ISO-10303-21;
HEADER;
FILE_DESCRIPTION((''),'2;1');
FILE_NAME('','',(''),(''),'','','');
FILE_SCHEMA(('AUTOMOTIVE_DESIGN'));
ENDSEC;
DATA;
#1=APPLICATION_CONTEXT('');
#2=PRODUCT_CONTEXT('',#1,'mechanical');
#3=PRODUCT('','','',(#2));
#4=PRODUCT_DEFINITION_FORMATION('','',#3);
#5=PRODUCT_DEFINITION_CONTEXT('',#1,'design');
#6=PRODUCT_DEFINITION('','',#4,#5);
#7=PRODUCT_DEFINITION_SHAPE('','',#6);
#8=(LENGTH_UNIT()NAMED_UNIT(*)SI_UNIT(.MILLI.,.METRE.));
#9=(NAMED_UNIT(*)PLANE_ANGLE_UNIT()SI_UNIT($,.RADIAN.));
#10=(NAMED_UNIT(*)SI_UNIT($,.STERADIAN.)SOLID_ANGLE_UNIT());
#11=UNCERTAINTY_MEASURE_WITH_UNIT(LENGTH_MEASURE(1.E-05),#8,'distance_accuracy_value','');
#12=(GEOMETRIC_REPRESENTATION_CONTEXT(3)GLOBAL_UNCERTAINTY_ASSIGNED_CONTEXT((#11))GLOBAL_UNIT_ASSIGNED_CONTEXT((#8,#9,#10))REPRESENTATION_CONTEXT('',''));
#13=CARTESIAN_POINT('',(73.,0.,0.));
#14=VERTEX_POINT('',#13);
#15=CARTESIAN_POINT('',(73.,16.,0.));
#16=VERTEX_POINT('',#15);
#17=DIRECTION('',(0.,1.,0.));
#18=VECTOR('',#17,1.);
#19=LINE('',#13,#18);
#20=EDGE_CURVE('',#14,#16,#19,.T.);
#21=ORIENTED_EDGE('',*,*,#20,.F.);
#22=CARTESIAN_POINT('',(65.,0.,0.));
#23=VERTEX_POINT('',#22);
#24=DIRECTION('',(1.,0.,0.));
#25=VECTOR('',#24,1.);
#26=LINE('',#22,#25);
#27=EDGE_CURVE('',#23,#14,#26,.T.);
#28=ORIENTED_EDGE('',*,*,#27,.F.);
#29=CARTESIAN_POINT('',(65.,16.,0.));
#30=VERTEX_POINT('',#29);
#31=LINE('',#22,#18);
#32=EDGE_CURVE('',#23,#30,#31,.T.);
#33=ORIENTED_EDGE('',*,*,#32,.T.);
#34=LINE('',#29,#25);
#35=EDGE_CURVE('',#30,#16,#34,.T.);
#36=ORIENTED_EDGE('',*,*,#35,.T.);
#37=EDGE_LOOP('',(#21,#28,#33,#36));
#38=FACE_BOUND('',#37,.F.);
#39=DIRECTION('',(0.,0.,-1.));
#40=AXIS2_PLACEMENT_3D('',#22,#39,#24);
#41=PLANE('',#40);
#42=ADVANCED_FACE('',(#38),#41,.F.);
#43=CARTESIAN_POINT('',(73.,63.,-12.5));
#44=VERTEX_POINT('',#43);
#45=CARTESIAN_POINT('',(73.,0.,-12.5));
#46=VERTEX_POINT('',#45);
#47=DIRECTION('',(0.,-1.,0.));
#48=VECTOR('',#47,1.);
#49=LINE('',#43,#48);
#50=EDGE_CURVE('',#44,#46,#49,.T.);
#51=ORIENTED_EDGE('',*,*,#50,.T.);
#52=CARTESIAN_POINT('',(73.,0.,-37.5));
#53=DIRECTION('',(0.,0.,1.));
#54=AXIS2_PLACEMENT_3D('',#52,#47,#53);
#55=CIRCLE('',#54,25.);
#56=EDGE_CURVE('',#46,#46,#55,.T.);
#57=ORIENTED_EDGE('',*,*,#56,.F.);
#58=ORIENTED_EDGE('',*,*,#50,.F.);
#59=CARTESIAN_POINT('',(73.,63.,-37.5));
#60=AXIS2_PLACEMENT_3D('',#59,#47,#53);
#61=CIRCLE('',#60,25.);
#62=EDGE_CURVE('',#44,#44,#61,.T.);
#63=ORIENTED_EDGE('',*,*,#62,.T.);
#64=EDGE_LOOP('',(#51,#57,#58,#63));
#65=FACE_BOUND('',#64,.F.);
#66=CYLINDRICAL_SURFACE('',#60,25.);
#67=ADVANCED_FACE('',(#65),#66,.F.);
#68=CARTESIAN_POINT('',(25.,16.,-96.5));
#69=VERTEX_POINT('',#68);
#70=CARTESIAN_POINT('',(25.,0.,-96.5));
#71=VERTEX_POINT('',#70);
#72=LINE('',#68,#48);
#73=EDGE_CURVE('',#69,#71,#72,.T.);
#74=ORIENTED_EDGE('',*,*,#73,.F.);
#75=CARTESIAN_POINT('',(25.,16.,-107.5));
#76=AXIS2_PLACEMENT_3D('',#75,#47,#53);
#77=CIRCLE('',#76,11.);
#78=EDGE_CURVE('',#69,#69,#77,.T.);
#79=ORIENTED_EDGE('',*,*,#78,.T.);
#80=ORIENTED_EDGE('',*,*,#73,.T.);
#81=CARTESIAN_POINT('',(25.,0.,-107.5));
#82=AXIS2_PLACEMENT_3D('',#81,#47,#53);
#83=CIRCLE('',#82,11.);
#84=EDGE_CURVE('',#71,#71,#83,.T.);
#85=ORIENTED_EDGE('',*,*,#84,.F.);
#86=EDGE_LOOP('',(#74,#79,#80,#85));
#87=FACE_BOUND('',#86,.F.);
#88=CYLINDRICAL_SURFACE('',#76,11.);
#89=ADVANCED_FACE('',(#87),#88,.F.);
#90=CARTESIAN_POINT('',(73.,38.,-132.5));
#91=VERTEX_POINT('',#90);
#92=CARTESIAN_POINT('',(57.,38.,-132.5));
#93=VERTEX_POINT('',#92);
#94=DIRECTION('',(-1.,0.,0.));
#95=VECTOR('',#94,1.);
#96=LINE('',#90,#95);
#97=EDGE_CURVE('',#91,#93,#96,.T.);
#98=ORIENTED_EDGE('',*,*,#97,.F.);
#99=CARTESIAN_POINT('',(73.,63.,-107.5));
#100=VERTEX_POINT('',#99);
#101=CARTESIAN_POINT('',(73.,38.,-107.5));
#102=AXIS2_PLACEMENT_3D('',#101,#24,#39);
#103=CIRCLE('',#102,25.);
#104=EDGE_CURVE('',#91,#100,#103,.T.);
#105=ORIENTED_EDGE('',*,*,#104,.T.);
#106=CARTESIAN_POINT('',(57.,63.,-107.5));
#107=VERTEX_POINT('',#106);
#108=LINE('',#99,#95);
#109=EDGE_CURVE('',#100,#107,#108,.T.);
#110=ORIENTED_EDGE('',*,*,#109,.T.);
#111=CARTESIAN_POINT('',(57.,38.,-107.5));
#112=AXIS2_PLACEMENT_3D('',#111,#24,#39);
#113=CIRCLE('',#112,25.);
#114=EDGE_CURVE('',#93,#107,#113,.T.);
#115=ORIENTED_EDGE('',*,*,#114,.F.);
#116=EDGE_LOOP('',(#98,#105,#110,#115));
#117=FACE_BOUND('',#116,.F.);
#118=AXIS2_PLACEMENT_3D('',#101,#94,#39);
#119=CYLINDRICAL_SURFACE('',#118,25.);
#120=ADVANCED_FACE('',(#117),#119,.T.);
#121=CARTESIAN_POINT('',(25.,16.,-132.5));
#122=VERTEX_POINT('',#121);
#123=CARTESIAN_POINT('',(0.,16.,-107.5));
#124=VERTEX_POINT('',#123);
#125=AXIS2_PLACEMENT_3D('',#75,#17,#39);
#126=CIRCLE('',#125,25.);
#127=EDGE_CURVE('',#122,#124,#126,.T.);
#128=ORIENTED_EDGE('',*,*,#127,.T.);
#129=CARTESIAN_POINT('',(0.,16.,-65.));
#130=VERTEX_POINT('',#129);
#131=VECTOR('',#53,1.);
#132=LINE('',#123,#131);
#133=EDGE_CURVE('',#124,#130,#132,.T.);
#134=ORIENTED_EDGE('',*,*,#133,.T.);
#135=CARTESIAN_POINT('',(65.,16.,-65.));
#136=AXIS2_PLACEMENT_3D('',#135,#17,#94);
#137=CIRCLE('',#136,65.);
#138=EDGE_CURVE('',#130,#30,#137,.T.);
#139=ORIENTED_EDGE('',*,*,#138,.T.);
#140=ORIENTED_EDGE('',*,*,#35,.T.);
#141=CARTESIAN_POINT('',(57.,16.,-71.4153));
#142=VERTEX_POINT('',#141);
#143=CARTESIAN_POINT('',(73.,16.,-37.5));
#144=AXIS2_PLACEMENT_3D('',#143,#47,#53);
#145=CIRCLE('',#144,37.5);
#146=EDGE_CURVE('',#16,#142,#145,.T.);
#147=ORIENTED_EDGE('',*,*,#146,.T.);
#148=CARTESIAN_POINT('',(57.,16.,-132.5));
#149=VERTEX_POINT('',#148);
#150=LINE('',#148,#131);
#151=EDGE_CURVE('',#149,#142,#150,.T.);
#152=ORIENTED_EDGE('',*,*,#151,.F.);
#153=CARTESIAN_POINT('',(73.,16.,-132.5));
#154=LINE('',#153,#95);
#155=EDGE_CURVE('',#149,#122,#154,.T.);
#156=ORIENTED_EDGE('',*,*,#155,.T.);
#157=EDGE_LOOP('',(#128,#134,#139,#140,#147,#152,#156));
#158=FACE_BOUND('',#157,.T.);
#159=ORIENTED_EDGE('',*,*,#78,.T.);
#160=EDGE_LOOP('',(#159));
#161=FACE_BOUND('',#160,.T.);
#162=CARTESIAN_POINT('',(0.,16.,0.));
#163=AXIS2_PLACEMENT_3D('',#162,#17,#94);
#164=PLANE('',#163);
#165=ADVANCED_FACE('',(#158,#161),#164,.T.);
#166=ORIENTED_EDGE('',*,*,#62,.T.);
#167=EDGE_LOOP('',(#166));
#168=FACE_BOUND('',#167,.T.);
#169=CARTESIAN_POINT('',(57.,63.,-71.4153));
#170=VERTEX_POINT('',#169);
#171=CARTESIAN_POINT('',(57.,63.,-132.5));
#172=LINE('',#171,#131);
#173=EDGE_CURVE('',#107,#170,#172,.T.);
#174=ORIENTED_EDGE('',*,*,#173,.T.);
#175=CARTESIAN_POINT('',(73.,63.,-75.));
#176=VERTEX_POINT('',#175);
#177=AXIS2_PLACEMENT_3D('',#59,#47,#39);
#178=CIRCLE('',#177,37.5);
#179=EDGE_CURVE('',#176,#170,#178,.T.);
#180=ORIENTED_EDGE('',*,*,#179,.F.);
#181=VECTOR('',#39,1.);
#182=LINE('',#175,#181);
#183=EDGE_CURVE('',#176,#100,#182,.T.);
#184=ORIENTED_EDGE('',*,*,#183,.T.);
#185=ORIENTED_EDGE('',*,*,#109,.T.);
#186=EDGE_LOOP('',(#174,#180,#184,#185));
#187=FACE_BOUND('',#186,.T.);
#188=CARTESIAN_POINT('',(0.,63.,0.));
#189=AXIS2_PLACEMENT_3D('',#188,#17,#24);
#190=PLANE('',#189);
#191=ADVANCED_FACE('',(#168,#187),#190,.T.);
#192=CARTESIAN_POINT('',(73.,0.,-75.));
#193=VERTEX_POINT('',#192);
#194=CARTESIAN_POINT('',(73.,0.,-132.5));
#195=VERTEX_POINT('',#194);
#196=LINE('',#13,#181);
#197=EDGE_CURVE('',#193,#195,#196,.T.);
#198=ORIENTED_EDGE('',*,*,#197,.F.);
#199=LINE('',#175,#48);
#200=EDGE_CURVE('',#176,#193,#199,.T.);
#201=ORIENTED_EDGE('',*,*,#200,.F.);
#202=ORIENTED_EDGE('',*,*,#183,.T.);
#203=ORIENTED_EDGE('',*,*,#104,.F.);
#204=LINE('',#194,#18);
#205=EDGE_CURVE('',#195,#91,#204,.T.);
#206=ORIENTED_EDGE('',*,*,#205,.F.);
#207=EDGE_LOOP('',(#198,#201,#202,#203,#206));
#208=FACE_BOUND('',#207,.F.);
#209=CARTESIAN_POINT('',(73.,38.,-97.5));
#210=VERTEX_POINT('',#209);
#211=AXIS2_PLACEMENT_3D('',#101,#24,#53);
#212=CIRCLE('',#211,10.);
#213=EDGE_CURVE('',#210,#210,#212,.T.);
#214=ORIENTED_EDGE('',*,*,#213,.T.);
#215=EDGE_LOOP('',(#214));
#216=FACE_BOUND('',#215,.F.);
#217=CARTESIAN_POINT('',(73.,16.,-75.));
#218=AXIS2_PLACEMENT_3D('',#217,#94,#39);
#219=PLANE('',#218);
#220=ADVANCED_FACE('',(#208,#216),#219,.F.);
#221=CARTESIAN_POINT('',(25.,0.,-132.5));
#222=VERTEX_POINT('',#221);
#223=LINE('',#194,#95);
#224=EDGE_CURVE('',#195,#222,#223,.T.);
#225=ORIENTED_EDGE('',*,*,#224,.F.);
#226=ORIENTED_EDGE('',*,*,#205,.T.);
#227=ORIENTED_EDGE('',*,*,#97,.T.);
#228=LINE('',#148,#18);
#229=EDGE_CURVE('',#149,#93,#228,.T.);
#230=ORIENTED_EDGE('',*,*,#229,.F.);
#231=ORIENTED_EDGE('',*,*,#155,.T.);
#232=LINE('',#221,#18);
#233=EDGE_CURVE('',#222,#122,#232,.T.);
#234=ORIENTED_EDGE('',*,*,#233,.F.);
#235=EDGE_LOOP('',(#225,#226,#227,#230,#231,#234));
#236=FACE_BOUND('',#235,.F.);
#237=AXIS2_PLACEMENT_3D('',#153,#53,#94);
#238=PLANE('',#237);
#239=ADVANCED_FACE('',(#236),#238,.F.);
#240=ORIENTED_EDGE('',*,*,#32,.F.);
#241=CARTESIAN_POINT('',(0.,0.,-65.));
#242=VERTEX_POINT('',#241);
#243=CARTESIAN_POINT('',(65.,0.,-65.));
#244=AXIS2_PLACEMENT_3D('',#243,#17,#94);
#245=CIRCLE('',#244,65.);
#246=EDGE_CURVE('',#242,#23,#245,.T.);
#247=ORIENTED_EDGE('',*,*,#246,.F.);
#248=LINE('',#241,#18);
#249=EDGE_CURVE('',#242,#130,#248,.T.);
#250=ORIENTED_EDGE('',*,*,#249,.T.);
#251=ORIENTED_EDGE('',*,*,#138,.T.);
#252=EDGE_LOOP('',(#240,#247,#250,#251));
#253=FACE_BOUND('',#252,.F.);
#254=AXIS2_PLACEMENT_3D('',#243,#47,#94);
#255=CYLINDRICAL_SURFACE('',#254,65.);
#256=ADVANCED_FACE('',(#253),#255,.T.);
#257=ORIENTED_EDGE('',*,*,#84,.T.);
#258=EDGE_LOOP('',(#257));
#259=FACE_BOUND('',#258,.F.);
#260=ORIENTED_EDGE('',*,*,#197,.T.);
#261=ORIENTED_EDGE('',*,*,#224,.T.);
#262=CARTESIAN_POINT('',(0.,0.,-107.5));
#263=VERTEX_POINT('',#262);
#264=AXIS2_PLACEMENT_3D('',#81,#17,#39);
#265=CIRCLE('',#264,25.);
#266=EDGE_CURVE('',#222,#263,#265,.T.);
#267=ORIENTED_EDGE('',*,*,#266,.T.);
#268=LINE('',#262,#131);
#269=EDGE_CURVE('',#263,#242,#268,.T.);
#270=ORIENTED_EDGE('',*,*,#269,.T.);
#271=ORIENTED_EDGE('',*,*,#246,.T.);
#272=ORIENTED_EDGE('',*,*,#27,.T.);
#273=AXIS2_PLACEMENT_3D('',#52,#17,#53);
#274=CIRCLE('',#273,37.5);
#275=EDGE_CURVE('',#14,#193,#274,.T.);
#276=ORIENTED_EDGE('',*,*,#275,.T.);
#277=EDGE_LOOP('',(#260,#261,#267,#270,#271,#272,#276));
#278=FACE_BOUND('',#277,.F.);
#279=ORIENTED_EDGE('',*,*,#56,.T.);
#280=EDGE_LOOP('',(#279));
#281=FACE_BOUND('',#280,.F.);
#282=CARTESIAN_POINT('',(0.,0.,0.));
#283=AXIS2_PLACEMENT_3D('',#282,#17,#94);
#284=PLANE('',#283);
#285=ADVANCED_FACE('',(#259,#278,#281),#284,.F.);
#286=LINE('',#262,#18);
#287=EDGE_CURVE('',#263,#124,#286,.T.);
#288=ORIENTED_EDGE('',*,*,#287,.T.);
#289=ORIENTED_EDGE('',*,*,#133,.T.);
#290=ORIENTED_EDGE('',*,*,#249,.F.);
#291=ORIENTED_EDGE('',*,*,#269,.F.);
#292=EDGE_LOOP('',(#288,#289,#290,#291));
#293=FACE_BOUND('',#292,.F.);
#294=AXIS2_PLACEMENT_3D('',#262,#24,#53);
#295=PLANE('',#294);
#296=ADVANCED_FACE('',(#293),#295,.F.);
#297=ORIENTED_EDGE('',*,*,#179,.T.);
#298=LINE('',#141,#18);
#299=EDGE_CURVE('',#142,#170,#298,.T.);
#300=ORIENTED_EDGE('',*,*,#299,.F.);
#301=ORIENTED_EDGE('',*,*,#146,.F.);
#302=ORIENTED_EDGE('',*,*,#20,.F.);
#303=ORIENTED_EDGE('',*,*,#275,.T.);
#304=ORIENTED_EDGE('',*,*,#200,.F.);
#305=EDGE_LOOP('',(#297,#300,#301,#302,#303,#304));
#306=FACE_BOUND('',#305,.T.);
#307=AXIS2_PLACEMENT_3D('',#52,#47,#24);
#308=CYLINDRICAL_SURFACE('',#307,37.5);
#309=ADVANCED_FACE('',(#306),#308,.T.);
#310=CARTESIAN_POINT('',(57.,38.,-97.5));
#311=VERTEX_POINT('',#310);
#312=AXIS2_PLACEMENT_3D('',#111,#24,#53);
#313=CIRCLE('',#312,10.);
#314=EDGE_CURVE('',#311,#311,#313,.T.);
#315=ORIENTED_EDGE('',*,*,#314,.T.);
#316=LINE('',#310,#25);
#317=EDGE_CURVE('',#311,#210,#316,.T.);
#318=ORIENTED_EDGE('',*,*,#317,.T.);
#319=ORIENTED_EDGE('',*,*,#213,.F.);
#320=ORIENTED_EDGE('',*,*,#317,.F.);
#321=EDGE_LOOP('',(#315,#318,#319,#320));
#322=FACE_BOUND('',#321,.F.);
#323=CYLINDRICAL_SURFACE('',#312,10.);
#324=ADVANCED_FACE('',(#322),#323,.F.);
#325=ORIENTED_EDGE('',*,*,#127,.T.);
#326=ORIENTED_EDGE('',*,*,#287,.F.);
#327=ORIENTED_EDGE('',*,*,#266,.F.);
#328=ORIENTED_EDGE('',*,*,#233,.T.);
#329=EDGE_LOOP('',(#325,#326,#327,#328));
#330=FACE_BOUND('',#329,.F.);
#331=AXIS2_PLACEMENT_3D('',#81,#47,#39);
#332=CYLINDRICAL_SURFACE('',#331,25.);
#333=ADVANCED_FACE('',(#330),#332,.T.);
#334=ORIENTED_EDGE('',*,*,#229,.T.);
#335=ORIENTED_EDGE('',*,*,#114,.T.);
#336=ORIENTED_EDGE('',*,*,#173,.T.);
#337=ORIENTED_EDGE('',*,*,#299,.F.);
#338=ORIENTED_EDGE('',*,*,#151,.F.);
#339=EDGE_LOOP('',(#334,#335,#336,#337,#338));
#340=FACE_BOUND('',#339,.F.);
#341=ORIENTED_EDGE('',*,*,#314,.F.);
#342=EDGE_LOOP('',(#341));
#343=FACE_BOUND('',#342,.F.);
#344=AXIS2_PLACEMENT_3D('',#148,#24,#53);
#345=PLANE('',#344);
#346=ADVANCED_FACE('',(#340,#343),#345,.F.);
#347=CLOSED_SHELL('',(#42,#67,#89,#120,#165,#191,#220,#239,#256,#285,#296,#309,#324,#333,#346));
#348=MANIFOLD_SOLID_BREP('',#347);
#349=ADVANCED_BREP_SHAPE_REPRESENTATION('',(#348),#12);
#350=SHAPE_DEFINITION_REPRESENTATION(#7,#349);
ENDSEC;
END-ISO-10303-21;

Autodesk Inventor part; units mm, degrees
ref_plane "YZ Plane" through (0, 0, 0) normal (1, 0, 0) x (0, 1, 0)
ref_plane "XZ Plane" through (0, 0, 0) normal (0, 1, 0) x (-1, 0, 0)
ref_plane "XY Plane" through (0, 0, 0) normal (0, 0, 1) x (1, 0, 0)
sketch "Szkic1" plane through (0, 0, 0) normal (0, 1, 0) x (-1, 0, 0)
  line L0 (-65, 0) -> (-73, 0)
  line L1 (-73, 0) -> (-73, -132.5)
  line L2 (-73, -132.5) -> (-25, -132.5)
  line L3 (0, -107.5) -> (0, -65)
  arc A0 (-25, -132.5) -> (0, -107.5) centre (-25, -107.5) ccw
  arc A1 (0, -65) -> (-65, 0) centre (-65, -65) ccw
  circle A2 centre (-73, -37.5) radius 37.5
  point P0 (0, 0)
  point P1 (0, -132.5)
  point P2 (-73, -75)
  dimension "d4" = 75
  dimension "d0" = 73
  dimension "d1" = 132.5
  dimension "d2" = 25
  dimension "d3" = 65
extrude "Wyciągnięcie proste1" add sketch "Szkic1" along normal blind 16 contours A1 L3 A0 L2 L1 A2 L0
sketch "Szkic2" plane through (0, 0, 0) normal (0, -1, 0) x (1, 0, 0)
  arc A0 (73, 0) -> (73, -75) centre (73, -37.5) ccw projected
  circle A1 centre (73, -37.5) radius 37.5
  point P0 (0, 0)
  point P1 (73, -75)
extrude "Wyciągnięcie proste2" add sketch "Szkic2" against normal blind 63
sketch "Szkic3" plane through (0, 16, 0) normal (0, 1, 0) x (1, 0, 0)
  arc A0 (25, 132.5) -> (0, 107.5) centre (25, 107.5) ccw projected
  line L0 (73, 132.5) -> (25, 132.5) projected
  line L1 (73, 75) -> (73, 132.5) projected
  line L2 (73, 132.5) -> (73, 75)
  line L3 (73, 132.5) -> (57, 132.5)
  line L4 (57, 132.5) -> (57, 71.4153)
  arc A1 (73, 75) -> (73, 0) centre (73, 37.5) ccw projected
  arc A2 (73, 75) -> (57, 71.4153) centre (73, 37.5) ccw
  point P0 (0, 0)
  dimension "d9" = 16
extrude "Wyciągnięcie proste3" add sketch "Szkic3" along normal blind 47
fillet "Zaokrąglenie1" radius 25 1 edges at (65, 63, -132.5)
sketch "Szkic4" plane through (0, 63, 0) normal (0, 1, 0) x (1, 0, 0)
  arc A0 (57, 71.4153) -> (73, 0) centre (73, 37.5) ccw projected
  point P0 (0, 0)
hole "Otwór1" at (73, 63, -37.5) direction (0, -1, 0) diameter 50 end through all
sketch "Szkic5" plane through (57, 16, -132.5) normal (-1, 0, 0) x (0, 0, 1)
  arc A0 (25, 47) -> (0, 22) centre (25, 22) ccw projected
  point P0 (132.5, -16)
hole "Otwór2" at (57, 38, -107.5) direction (1, 0, 0) diameter 20 end through all
sketch "Szkic6" plane through (0, 16, 0) normal (0, 1, 0) x (1, 0, 0)
  arc A0 (25, 132.5) -> (0, 107.5) centre (25, 107.5) ccw projected
  point P0 (0, 0)
hole "Otwór3" at (25, 16, -107.5) direction (0, -1, 0) diameter 22 end through all
